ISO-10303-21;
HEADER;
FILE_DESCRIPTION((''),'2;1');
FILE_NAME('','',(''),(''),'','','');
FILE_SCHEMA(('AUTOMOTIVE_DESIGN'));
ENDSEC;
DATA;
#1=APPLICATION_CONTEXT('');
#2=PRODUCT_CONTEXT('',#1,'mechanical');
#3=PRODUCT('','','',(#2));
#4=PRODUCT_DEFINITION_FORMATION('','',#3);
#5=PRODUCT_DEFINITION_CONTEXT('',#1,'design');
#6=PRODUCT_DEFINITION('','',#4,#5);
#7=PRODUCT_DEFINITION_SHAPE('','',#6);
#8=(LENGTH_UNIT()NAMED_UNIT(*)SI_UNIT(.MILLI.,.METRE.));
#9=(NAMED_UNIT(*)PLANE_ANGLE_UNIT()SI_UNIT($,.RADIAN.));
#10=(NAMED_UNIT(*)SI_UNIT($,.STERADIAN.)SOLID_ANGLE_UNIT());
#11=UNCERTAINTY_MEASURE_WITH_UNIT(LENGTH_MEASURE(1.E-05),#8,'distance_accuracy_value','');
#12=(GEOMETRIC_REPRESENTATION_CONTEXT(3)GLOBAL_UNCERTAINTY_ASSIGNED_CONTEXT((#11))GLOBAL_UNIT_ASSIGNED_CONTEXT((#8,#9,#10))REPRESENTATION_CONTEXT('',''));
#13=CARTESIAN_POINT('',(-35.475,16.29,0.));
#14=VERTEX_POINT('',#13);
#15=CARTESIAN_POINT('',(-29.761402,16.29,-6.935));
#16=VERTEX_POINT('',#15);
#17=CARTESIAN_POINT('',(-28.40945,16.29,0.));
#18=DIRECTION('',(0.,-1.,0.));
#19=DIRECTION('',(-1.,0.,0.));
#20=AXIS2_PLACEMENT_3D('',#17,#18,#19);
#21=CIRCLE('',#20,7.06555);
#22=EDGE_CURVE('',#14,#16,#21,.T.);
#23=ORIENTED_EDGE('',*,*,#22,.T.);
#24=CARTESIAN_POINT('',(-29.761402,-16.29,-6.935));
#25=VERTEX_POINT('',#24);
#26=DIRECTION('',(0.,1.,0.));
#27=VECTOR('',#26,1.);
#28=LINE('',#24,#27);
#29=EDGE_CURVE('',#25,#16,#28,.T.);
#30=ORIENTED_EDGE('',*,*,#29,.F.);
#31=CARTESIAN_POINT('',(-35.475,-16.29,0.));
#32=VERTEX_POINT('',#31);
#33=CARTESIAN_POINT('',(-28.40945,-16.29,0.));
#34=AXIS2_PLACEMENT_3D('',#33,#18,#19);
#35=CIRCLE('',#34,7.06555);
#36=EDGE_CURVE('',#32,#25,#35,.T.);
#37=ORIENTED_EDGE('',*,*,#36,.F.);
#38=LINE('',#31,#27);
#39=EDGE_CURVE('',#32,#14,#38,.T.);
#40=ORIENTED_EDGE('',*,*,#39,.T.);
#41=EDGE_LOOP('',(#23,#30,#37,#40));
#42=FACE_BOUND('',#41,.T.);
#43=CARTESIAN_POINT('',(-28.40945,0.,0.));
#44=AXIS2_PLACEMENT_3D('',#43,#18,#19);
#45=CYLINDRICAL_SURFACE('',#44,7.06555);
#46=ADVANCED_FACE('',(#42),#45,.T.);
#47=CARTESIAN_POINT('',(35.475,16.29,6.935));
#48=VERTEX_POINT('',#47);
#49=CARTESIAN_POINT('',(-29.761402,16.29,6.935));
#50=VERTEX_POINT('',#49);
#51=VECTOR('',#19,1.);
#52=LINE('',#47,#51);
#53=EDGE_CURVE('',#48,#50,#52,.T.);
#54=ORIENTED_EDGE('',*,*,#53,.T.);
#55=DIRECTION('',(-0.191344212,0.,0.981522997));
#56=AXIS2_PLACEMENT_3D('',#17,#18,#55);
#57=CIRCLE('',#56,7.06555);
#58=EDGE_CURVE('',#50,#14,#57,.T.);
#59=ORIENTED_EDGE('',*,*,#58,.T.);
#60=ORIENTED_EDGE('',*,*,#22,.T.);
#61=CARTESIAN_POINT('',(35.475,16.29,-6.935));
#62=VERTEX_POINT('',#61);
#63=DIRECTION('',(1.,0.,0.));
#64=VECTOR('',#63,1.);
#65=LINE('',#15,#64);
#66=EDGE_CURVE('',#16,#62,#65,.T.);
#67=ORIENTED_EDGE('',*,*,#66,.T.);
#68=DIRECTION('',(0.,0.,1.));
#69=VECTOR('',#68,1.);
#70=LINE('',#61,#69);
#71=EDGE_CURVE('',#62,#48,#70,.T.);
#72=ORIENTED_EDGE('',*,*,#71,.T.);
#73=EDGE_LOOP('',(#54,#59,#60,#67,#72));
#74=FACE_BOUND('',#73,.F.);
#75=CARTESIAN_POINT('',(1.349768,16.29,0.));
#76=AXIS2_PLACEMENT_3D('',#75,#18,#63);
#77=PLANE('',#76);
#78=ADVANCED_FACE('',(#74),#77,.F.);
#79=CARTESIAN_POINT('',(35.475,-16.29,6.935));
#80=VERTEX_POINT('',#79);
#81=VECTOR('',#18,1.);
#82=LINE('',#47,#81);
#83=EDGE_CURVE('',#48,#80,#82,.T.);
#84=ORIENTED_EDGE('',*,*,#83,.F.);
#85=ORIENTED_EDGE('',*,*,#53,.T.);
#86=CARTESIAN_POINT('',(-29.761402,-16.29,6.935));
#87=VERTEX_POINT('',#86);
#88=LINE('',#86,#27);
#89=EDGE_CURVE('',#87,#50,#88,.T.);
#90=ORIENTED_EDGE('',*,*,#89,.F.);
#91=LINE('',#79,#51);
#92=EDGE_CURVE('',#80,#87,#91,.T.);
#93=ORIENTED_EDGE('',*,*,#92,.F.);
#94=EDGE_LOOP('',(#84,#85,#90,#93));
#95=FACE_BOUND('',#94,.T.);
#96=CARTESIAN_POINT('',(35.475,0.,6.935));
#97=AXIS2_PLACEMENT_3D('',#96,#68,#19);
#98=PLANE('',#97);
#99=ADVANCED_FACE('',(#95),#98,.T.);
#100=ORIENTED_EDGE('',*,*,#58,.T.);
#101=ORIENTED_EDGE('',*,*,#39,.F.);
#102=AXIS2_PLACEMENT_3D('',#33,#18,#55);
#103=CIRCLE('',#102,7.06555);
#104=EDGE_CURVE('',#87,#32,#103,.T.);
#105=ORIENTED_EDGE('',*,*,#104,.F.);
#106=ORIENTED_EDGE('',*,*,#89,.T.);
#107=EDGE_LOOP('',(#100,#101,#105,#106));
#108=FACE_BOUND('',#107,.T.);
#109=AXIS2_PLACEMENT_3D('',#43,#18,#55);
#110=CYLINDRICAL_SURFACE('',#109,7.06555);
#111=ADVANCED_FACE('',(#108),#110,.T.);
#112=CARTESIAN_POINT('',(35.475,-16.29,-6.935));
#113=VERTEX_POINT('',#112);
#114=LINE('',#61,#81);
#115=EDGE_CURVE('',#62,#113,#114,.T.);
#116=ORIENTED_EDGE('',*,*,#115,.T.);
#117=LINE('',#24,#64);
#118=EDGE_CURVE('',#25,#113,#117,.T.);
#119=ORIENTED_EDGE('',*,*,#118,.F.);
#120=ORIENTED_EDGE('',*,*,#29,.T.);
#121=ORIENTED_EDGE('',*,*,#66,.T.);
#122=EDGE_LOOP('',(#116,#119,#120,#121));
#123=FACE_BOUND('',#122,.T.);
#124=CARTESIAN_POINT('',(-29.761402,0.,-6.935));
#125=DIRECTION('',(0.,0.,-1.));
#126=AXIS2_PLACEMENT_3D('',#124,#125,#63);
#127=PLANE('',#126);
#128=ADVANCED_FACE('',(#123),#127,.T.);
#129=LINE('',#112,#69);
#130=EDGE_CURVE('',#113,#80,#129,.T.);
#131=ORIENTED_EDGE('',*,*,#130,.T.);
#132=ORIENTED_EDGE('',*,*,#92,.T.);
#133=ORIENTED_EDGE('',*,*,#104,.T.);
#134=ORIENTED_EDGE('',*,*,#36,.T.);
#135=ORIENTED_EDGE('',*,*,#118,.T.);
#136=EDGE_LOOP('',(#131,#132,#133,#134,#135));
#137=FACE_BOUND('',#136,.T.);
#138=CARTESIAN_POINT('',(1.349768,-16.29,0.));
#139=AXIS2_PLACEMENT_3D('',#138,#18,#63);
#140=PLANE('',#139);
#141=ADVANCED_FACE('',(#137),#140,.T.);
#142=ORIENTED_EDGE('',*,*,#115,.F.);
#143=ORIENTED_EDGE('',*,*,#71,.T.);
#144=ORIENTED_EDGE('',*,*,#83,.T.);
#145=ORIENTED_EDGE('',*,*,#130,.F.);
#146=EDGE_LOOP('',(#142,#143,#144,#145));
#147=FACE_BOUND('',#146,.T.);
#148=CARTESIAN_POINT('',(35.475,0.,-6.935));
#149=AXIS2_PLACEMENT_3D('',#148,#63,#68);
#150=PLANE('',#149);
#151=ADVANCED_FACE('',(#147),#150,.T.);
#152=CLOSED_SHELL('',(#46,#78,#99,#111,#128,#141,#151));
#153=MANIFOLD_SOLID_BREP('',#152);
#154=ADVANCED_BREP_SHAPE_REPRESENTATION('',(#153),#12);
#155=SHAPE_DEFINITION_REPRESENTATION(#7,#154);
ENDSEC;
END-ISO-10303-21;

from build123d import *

# Parameters (mm, degrees)
F1_DEPTH = 16.29


with BuildPart() as f1:
    # F0 (on Front) → F1 (new body, symmetric)
    with BuildSketch(Plane.XZ):
        with BuildLine():
            Line((-29.7614019364, -6.935), (35.475, -6.935))
            Line((35.475, -6.935), (35.475, 6.935))
            Line((35.475, 6.935), (-29.7614019364, 6.935))
            ThreePointArc((-29.7614019364, 6.935), (-33.8626270992, 4.4927560537), (-35.475, 0))
            ThreePointArc((-35.475, 0), (-33.8626270992, -4.4927560537), (-29.7614019364, -6.935))
        make_face()
    extrude(amount=F1_DEPTH, both=True)


solid = f1.part
